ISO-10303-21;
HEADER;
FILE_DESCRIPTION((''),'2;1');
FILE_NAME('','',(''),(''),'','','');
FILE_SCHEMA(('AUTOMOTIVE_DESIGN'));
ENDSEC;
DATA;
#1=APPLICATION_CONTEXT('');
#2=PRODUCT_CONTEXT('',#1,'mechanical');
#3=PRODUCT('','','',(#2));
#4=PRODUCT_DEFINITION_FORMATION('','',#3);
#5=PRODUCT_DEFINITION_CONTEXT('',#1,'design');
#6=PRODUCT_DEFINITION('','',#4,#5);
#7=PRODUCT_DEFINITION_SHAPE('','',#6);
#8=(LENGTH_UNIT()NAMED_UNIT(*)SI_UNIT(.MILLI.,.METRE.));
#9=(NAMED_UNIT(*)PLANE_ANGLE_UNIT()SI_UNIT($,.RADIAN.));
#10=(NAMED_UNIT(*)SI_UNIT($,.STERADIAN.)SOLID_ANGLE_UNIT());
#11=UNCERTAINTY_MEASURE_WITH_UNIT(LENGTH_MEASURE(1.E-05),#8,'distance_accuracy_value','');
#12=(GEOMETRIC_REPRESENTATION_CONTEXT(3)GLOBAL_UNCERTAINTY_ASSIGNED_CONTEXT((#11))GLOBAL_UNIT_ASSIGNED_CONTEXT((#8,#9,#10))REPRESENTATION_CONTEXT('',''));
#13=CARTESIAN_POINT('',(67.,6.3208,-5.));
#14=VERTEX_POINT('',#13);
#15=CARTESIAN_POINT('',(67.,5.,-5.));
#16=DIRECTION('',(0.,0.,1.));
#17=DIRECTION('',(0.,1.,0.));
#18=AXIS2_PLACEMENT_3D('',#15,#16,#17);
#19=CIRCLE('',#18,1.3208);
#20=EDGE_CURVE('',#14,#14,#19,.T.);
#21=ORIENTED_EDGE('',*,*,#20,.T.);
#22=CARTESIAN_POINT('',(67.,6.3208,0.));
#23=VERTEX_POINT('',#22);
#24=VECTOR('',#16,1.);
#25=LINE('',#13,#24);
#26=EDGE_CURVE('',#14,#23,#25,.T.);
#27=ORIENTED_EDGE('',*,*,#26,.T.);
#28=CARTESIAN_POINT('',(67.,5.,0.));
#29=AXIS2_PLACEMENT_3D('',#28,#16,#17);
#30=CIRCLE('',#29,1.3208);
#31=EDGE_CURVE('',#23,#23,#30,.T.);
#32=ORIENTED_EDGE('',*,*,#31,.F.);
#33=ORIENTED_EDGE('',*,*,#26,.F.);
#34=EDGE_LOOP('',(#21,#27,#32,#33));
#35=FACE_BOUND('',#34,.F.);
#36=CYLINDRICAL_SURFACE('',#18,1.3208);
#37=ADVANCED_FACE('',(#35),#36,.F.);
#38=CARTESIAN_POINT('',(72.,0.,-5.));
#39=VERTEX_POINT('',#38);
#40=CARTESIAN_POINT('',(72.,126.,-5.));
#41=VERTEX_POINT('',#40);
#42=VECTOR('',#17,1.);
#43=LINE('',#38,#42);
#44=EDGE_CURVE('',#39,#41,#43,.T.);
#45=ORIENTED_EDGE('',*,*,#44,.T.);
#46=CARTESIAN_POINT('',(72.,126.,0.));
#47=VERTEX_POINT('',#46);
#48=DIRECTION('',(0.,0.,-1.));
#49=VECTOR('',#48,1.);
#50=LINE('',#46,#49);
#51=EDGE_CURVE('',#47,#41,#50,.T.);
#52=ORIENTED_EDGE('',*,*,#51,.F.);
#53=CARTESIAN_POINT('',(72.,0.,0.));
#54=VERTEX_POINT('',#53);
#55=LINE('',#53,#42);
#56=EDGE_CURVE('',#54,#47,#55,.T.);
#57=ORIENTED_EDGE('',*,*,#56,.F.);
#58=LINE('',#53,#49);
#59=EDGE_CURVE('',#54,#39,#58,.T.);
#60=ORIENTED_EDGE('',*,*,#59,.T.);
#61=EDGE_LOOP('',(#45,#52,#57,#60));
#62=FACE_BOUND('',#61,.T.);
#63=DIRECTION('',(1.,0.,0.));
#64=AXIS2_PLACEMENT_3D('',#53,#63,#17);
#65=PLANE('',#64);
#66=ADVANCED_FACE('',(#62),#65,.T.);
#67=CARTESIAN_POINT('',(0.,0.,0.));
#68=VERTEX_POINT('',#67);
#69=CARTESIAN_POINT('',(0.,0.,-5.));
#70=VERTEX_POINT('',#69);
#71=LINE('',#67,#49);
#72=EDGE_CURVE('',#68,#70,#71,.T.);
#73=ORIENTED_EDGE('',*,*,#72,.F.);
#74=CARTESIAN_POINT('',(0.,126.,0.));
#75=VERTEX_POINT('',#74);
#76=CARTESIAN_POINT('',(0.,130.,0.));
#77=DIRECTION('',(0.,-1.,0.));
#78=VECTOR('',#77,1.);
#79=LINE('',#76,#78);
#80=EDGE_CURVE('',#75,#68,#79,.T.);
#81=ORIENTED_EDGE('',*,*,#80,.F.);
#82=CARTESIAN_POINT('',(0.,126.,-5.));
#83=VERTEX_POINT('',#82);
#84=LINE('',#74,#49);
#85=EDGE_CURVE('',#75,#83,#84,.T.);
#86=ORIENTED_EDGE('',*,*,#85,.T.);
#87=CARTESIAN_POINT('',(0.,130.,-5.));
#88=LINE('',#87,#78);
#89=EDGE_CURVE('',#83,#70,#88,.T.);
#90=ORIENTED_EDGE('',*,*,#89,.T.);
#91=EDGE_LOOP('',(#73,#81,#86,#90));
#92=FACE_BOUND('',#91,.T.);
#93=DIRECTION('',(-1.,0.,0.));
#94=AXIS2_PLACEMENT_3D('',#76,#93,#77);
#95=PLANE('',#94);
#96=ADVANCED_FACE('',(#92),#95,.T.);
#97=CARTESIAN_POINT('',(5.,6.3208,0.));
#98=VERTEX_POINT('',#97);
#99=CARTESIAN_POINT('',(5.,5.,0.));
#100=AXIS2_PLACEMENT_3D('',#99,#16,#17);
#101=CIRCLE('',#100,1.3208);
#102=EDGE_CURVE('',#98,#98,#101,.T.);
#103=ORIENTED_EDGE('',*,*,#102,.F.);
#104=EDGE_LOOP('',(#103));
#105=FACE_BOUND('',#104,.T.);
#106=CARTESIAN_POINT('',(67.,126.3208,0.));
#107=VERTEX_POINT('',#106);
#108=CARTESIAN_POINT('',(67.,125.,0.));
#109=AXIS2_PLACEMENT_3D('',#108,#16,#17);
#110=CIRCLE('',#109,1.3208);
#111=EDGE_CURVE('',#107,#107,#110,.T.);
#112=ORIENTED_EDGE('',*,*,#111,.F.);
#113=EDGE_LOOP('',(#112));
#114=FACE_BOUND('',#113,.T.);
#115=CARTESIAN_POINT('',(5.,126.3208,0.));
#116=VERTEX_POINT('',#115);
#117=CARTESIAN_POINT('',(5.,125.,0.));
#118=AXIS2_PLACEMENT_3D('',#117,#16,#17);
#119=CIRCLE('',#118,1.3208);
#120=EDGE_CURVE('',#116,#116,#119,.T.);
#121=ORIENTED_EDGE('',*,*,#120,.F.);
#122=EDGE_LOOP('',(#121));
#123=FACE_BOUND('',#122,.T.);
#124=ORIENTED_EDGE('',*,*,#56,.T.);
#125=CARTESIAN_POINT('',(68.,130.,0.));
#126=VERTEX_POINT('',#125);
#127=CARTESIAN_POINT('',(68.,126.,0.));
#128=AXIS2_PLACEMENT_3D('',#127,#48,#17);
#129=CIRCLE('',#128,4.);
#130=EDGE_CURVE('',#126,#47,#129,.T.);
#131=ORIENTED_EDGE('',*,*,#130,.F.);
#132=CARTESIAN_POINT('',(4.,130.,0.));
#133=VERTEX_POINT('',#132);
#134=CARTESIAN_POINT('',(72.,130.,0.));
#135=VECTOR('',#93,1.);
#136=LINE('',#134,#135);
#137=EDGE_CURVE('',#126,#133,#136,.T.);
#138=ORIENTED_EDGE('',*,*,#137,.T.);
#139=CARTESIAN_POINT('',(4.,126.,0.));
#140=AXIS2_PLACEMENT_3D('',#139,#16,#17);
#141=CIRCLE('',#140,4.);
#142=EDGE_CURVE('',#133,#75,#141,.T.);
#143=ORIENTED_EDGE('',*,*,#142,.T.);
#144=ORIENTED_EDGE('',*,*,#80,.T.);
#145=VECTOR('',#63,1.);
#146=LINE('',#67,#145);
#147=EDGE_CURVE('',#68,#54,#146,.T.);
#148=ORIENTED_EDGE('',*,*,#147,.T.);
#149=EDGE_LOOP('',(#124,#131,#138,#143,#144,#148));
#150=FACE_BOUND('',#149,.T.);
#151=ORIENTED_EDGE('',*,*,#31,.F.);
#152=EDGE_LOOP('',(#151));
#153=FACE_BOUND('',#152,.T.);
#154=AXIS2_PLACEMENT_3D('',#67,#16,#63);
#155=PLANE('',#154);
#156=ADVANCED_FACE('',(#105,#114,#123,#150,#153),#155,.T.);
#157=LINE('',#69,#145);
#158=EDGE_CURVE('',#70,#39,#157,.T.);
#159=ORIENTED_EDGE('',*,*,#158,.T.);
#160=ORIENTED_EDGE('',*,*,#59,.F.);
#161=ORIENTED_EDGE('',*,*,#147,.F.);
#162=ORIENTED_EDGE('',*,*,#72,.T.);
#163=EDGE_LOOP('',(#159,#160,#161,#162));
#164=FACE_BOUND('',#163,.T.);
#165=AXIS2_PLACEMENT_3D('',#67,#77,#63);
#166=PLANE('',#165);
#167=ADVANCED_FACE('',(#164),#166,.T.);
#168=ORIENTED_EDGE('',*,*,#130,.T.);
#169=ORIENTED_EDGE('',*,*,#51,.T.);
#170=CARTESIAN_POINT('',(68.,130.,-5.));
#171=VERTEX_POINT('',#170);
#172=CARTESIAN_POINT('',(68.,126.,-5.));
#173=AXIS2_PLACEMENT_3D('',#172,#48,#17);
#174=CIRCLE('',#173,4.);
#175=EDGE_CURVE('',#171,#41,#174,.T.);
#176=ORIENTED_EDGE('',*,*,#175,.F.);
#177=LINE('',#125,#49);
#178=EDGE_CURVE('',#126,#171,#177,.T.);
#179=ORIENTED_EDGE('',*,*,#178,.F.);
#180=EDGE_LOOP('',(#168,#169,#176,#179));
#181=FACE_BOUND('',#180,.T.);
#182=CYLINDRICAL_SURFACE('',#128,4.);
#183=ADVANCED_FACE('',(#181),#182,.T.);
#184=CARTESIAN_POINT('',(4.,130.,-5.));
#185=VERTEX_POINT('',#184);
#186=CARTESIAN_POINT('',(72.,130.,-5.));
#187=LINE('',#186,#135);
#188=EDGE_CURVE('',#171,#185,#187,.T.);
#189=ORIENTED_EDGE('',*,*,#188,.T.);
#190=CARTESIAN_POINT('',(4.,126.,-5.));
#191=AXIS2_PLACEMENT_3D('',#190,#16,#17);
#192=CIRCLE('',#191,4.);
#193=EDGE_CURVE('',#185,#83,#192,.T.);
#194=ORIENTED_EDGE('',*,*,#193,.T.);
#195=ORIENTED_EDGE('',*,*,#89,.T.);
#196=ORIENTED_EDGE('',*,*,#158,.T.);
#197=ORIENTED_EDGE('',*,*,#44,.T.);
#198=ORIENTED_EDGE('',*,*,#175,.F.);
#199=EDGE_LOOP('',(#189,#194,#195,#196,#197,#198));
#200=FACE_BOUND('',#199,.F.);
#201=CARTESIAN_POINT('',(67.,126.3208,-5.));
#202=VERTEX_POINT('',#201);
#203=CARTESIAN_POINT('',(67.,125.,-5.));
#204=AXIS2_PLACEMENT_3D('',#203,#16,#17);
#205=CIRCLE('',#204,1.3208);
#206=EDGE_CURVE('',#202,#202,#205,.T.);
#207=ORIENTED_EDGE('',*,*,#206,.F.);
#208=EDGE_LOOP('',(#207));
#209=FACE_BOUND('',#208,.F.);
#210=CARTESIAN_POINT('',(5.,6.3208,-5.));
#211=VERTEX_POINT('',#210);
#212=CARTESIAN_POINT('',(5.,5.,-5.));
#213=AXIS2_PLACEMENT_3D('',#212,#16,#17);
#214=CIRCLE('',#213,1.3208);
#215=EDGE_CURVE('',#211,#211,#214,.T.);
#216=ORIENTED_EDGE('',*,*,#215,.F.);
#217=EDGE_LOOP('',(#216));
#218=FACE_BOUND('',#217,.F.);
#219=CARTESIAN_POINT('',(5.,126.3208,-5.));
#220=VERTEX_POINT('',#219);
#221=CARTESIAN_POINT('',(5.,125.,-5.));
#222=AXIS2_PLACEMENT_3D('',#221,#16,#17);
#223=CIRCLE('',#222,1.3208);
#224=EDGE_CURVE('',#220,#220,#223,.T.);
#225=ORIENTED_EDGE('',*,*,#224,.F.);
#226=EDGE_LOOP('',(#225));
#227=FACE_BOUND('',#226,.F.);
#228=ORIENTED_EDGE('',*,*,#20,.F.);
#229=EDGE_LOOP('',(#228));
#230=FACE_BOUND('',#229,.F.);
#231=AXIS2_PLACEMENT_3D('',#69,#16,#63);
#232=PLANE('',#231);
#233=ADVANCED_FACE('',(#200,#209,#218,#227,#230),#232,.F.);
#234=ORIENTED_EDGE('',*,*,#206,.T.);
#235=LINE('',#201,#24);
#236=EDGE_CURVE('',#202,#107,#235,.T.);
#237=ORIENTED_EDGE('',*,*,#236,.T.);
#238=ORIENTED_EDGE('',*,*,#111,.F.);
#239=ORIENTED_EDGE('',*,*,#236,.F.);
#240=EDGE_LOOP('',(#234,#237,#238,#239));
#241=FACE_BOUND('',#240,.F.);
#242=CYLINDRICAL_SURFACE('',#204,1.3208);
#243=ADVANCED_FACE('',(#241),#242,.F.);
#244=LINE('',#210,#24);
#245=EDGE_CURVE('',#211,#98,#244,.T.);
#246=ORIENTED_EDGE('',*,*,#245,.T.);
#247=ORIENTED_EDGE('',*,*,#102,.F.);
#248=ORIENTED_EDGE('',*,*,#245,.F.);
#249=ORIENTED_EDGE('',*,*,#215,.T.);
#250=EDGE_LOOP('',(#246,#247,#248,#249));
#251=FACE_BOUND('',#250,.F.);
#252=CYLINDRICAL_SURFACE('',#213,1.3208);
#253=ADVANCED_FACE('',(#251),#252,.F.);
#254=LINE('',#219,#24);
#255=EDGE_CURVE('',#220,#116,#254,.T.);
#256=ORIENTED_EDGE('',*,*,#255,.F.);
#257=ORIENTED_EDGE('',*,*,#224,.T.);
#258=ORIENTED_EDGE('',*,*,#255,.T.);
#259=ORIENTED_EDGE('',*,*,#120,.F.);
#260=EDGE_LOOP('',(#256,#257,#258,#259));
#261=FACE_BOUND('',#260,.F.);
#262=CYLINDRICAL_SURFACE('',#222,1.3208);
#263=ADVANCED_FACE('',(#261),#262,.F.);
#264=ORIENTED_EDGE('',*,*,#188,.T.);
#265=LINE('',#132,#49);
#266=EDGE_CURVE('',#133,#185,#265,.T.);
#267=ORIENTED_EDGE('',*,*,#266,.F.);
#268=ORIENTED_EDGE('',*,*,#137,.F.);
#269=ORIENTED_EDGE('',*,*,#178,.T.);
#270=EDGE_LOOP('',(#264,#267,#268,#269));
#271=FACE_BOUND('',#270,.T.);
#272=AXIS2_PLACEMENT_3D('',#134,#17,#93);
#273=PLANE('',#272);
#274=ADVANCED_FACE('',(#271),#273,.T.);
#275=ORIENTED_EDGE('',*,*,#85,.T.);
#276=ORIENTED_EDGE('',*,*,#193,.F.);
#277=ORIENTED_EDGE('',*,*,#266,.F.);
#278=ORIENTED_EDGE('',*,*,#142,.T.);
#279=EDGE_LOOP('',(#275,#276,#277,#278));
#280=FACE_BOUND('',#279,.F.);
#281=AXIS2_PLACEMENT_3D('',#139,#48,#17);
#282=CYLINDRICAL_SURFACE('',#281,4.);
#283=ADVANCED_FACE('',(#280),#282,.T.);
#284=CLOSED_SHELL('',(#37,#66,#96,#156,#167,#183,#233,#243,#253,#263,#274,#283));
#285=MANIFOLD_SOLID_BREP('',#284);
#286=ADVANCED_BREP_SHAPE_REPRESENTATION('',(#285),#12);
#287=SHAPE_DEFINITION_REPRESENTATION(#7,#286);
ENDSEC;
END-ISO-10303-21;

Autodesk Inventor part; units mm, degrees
ref_plane "YZ Plane" through (0, 0, 0) normal (1, 0, 0) x (0, 1, 0)
ref_plane "XZ Plane" through (0, 0, 0) normal (0, 1, 0) x (-1, 0, 0)
ref_plane "XY Plane" through (0, 0, 0) normal (0, 0, 1) x (1, 0, 0)
sketch "Sketch1" plane through (0, 0, 0) normal (0, 0, 1) x (1, 0, 0)
  line L0 (0, 0) -> (72, 0)
  line L1 (72, 0) -> (72, 130)
  line L2 (72, 130) -> (0, 130)
  line L3 (0, 130) -> (0, 0)
  dimension "d0" = 72
  dimension "d1" = 130
extrude "Extrusion1" add sketch "Sketch1" against normal blind 5
fillet "Fillet1" radius 4 1 edges at (72, 130, -2.5)
fillet "Fillet2" radius 4 1 edges at (0, 130, -2.5)
sketch "Sketch2" plane through (0, 0, -5) normal (0, 0, -1) x (-1, 0, 0)
  circle A0 centre (-67, 125) radius 1.5
  line L0 (-72, 126) -> (-72, 0) projected
  line L1 (-4, 130) -> (-68, 130) projected
  line L2 (0, 0) -> (0, 126) projected
  arc A1 (0, 126) -> (-4, 130) centre (-4, 126) ccw projected
  line L3 (-4, 130) -> (-68, 130) projected
  arc A2 (-68, 130) -> (-72, 126) centre (-68, 126) ccw projected
  line L4 (-72, 126) -> (-72, 0) projected
  line L5 (-72, 0) -> (0, 0) projected
  line L6 (0, 0) -> (0, 126) projected
  line L7 (-68, 130) -> (-4, 130) projected
  line L8 (0, 0) -> (-72, 0) projected
  circle A3 centre (-5, 125) radius 1.5
  circle A4 centre (-67, 5) radius 1.5
  line L9 (-36, 130) -> (-36, 0)
  circle A5 centre (-5, 5) radius 1.5
  dimension "d7" = 3
  dimension "d8" = 5
  dimension "d9" = 5
  dimension "d10" = 3
  dimension "d11" = 5
  dimension "d12" = 5
hole "Hole1" at (67, 125, -5) at (5, 125, -5) at (67, 5, -5) at (5, 5, -5) direction (0, 0, 1) diameter 2.6416 depth 10.979 thread size "6-32 UNC" class "2B" standard "ANSI Unified Screw Threads"
properties part number "backdor" material "Steel"
